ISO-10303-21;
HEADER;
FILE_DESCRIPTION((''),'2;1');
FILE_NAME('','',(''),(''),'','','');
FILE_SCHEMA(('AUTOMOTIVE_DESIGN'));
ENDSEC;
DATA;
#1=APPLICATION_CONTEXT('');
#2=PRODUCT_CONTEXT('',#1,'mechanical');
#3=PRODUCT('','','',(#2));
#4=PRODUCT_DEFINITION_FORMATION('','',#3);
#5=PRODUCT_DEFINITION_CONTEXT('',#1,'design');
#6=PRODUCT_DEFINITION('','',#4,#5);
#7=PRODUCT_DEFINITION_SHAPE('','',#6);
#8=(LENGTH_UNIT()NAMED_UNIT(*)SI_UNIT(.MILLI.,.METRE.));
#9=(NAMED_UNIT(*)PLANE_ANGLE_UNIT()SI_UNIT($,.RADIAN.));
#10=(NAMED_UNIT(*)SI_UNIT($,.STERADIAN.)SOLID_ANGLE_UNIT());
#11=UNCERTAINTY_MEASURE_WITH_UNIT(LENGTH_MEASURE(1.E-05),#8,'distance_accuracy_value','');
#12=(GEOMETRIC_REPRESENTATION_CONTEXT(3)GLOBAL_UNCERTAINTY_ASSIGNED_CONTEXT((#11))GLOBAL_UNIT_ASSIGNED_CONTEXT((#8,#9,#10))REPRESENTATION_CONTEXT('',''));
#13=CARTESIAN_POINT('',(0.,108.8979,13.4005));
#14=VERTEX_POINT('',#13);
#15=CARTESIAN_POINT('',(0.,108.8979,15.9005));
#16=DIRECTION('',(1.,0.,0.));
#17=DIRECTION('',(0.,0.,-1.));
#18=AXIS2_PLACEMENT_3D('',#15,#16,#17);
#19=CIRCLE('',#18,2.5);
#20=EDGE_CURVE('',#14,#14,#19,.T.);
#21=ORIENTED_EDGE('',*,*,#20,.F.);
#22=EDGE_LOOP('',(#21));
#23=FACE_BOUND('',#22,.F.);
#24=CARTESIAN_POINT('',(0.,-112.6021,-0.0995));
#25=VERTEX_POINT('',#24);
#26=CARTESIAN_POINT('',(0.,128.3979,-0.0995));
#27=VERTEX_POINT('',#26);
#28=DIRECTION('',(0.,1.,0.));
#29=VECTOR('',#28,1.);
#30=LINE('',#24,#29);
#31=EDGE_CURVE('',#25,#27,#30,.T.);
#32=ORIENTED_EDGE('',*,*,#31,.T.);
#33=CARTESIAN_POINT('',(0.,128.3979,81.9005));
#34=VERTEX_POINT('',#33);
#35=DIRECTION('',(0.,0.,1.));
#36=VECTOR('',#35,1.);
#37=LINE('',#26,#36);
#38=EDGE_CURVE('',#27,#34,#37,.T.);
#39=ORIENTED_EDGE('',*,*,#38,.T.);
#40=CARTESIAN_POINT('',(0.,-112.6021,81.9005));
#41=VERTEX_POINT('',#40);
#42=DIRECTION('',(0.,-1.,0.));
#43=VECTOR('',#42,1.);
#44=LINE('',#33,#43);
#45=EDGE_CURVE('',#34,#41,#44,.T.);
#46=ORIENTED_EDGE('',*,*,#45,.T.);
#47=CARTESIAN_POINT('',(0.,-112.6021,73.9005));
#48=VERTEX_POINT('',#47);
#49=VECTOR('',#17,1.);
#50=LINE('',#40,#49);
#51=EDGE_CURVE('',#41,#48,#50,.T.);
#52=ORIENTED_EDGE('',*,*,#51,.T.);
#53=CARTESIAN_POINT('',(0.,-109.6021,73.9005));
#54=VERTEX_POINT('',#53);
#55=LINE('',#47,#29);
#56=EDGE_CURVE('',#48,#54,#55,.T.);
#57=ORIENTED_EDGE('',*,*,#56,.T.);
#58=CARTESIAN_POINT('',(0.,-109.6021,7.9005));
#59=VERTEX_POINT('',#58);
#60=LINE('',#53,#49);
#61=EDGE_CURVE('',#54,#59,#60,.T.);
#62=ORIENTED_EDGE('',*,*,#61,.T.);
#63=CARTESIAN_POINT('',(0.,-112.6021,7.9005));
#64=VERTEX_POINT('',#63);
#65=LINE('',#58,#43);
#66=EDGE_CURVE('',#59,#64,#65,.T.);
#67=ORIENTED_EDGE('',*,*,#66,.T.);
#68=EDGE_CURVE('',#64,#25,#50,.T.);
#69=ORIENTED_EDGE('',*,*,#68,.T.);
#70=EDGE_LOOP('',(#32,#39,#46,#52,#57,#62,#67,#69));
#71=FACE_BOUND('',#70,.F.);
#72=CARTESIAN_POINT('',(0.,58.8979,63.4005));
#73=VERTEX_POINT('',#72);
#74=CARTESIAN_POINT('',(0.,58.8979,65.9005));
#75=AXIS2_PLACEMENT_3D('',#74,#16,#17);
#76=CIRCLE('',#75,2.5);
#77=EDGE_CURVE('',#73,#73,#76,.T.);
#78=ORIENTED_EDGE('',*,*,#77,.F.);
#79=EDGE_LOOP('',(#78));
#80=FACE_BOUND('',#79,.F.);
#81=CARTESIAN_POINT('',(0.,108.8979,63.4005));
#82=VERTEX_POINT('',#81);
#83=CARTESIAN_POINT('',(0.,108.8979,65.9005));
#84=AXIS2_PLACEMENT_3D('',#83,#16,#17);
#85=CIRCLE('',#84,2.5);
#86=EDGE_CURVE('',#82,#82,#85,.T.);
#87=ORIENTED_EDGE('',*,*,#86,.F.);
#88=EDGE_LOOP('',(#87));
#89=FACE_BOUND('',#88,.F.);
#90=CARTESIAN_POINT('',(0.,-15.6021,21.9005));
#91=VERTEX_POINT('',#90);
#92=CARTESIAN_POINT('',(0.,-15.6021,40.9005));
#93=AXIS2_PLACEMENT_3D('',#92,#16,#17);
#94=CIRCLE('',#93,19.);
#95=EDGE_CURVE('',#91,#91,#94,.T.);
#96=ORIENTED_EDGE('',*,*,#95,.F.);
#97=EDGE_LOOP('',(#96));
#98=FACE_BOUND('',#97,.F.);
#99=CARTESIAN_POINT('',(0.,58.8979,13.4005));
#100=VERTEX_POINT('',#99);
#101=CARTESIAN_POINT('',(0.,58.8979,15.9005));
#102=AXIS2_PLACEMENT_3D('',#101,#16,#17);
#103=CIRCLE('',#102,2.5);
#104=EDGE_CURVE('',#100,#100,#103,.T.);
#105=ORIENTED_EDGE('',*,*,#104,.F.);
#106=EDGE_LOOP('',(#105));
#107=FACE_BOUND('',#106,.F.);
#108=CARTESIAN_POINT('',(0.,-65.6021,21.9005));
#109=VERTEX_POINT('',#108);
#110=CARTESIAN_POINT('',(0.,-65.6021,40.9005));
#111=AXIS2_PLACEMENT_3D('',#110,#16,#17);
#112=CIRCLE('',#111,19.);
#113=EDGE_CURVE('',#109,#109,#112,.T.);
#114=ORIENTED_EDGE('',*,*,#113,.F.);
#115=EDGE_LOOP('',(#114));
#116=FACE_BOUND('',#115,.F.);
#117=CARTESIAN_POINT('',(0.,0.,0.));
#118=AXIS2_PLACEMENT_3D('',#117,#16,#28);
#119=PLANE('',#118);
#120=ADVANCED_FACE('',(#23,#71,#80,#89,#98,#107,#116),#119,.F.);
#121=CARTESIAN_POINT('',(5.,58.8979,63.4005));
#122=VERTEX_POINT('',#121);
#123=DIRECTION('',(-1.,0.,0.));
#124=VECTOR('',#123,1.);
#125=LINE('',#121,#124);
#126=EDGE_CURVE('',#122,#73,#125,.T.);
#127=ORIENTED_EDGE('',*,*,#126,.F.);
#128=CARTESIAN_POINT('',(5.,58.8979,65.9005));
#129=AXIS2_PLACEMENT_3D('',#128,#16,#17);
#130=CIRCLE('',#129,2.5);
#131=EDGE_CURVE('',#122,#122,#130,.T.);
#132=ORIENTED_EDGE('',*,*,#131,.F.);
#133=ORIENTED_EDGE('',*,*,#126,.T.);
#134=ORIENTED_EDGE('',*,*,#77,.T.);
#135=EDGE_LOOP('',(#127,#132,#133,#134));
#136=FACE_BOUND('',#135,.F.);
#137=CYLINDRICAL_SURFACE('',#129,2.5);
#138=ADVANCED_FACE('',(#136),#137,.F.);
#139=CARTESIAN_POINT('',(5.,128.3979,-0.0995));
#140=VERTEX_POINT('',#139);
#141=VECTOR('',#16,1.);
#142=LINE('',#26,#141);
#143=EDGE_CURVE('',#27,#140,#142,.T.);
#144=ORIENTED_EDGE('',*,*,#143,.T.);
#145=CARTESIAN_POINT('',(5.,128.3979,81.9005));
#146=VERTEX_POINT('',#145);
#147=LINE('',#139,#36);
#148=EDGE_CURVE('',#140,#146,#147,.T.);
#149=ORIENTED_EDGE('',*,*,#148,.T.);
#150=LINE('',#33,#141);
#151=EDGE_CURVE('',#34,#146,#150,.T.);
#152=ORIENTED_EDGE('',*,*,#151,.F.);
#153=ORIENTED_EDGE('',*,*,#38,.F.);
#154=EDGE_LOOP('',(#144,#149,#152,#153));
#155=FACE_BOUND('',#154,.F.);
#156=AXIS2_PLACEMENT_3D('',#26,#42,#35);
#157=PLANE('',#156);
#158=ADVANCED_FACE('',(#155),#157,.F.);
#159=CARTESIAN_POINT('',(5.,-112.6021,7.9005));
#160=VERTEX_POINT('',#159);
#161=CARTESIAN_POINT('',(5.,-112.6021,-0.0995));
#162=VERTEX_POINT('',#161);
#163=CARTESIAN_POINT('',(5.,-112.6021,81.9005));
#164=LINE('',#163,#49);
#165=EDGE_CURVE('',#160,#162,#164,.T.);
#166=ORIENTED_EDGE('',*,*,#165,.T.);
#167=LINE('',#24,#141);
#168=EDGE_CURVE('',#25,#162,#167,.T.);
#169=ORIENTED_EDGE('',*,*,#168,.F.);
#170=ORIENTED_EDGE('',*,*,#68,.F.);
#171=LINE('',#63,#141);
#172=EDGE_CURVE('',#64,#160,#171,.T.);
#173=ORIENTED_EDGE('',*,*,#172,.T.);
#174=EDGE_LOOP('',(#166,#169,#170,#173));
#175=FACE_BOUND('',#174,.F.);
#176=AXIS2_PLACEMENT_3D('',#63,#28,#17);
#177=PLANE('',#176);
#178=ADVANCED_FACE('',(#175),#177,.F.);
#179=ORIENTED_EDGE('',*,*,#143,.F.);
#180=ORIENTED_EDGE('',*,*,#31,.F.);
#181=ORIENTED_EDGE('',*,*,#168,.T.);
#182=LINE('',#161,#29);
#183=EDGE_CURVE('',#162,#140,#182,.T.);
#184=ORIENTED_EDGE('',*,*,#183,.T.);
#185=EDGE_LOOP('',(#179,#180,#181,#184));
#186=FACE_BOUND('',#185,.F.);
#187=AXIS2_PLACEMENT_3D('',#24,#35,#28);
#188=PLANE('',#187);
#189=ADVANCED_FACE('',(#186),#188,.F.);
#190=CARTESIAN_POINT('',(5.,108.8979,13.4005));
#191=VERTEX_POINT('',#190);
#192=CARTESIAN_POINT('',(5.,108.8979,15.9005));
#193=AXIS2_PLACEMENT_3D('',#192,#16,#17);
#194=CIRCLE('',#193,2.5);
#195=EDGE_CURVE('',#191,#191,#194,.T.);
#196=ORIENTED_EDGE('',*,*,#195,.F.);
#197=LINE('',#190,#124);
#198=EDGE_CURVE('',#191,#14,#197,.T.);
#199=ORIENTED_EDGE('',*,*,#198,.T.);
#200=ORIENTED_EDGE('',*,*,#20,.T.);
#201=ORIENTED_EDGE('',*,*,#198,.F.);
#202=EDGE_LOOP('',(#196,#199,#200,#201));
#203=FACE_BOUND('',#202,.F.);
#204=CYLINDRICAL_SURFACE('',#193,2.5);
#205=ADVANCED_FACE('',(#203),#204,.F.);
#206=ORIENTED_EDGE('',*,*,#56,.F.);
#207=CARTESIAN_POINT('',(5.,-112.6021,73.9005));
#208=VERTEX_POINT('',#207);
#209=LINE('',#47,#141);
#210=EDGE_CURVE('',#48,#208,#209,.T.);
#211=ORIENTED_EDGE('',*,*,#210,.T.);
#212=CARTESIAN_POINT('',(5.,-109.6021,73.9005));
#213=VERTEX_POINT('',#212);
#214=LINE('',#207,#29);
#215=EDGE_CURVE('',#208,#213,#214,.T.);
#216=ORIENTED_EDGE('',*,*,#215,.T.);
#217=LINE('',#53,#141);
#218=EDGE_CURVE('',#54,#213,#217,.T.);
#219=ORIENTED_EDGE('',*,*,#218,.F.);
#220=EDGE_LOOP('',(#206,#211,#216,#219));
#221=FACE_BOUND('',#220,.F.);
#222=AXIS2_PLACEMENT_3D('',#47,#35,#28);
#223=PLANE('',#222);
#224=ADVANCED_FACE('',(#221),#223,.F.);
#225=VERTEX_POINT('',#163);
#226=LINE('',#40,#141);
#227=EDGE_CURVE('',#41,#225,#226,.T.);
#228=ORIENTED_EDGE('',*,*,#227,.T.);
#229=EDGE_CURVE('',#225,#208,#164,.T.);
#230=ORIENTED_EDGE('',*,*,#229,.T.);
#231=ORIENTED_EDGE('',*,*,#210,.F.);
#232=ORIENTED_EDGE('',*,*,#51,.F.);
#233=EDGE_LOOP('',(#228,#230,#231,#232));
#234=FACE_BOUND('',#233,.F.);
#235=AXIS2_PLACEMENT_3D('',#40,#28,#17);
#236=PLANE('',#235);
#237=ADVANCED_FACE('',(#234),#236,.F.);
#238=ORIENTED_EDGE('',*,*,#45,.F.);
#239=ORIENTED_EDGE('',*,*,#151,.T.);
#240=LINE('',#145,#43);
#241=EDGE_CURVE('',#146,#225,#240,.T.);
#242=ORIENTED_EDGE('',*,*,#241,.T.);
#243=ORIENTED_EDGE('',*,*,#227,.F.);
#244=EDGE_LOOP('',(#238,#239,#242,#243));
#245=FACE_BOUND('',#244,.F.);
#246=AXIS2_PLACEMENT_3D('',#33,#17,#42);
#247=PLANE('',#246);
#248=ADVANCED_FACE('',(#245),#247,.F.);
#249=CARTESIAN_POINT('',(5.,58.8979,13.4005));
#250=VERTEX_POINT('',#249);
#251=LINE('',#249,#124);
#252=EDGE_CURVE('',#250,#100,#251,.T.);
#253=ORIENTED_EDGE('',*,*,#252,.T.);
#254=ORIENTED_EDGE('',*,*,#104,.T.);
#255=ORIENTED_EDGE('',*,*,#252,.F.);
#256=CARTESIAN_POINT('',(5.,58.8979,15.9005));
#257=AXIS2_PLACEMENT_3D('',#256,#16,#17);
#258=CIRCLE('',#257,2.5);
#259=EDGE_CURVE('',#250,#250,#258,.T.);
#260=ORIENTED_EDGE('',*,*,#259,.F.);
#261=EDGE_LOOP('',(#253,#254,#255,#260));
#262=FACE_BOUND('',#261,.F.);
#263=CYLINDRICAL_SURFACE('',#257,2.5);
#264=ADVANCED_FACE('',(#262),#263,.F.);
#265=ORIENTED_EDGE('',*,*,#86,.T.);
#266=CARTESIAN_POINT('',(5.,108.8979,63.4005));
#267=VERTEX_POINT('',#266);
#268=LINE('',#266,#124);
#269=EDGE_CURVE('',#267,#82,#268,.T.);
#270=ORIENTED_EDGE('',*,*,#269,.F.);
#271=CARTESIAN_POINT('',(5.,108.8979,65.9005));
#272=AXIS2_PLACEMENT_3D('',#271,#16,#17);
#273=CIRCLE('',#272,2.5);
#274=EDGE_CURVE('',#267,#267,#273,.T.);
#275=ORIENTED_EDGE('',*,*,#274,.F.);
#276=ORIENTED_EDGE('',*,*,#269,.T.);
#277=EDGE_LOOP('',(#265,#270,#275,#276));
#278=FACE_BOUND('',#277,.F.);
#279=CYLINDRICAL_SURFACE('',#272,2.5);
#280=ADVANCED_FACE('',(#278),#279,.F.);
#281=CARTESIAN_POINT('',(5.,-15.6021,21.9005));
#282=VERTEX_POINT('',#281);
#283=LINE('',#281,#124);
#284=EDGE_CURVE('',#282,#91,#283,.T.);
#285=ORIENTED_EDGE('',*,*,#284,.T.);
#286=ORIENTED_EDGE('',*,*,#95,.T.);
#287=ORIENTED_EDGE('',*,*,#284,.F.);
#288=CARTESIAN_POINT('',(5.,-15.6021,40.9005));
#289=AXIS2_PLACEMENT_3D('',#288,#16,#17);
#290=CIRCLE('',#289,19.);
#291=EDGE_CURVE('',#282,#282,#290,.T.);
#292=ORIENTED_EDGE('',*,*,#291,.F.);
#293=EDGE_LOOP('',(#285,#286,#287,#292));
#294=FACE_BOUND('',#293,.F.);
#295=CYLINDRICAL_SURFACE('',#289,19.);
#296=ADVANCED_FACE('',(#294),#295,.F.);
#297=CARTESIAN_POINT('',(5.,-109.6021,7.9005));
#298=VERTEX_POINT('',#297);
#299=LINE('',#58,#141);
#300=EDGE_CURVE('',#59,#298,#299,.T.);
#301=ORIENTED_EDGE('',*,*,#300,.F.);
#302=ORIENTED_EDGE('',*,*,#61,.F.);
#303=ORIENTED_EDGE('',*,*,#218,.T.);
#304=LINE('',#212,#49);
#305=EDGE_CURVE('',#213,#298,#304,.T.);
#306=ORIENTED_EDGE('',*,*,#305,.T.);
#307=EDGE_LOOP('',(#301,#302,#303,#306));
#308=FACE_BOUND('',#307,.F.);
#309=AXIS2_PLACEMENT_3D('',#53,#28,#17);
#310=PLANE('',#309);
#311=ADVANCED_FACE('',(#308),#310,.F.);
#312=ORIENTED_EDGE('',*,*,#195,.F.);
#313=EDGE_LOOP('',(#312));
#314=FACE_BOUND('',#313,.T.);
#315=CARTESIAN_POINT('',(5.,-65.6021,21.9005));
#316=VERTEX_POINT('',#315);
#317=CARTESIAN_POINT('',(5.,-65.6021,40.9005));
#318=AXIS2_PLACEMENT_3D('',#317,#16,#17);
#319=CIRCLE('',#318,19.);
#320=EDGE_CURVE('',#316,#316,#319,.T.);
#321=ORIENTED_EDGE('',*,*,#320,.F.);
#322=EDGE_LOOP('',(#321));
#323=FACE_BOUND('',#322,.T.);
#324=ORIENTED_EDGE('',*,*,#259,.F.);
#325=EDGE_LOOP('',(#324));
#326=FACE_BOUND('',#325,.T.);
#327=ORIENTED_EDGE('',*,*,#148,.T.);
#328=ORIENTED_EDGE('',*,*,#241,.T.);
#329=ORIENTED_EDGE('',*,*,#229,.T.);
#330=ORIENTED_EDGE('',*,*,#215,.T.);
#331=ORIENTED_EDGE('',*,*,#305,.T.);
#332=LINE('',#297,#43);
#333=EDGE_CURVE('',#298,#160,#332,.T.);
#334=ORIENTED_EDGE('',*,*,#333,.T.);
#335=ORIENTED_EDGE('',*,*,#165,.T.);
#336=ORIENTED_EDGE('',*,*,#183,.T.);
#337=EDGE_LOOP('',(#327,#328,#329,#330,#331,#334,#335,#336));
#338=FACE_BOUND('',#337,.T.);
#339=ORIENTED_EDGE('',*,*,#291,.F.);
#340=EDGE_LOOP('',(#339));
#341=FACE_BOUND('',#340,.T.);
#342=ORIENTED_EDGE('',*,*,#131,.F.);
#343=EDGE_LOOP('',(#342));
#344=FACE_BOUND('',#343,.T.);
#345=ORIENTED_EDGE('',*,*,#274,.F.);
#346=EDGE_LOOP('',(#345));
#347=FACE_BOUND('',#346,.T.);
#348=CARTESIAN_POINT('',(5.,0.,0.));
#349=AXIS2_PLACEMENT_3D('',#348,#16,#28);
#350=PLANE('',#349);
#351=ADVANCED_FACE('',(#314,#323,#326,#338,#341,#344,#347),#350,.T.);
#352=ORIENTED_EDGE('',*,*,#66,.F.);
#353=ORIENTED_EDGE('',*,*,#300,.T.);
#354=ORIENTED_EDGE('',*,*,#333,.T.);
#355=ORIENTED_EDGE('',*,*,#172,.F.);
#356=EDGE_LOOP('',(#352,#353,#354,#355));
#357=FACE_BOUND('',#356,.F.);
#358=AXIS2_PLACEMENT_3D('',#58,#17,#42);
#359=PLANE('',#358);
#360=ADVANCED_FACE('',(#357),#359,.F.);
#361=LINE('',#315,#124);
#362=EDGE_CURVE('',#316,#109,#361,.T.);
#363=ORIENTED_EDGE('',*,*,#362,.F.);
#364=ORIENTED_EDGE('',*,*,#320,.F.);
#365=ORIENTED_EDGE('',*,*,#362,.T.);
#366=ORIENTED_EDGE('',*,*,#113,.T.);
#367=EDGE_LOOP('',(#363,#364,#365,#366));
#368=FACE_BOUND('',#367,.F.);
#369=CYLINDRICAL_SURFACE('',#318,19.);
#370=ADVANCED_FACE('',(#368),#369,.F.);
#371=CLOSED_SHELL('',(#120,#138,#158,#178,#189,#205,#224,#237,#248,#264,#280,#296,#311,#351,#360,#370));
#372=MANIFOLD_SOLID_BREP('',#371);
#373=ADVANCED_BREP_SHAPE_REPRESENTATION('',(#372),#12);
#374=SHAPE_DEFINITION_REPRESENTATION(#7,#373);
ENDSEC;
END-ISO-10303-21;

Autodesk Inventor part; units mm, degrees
ref_plane "YZ Plane" through (0, 0, 0) normal (1, 0, 0) x (0, 1, 0)
ref_plane "XZ Plane" through (0, 0, 0) normal (0, 1, 0) x (-1, 0, 0)
ref_plane "XY Plane" through (0, 0, 0) normal (0, 0, 1) x (1, 0, 0)
sketch "Sketch1" plane through (0, 0, 0) normal (1, 0, 0) x (0, 1, 0)
  line L0 (128.3979, 81.9005) -> (-112.6021, 81.9005)
  line L1 (-112.6021, 81.9005) -> (-112.6021, -0.0995)
  line L2 (-112.6021, -0.0995) -> (128.3979, -0.0995)
  line L3 (128.3979, -0.0995) -> (128.3979, 81.9005)
  circle A0 centre (-45.6021, 40.9005) radius 19 construction
  line L4 (-112.6021, 73.9005) -> (-109.6021, 73.9005)
  line L5 (-109.6021, 73.9005) -> (-109.6021, 7.9005)
  line L6 (-109.6021, 7.9005) -> (-112.6021, 7.9005)
  line L7 (-112.6021, 7.9005) -> (-112.6021, 73.9005)
  circle A1 centre (111.4349, 69.7734) radius 2.5
  point P0 (0, 0)
  dimension "d0" = 241
  dimension "d1" = 82
  dimension "d2" = 38
  dimension "d3" = 41
  dimension "d4" = 174
  dimension "d5" = 66
  dimension "d6" = 3
  dimension "d7" = 8
  dimension "d24" = 5
extrude "Extrusion3" add sketch "Sketch1" along normal blind 5 contours L3 L2 L1 L6 L5 L4 L0 | A1
sketch "Sketch3" plane through (5, 0, 0) normal (1, 0, 0) x (0, 0, -1)
  circle A0 centre (-65.9005, 108.8979) radius 2.5
  line L0 (-81.9005, 128.3979) -> (-81.9005, -112.6021) projected
  line L1 (-81.9005, 128.3979) -> (-74.525, 128.3979) construction
  line L2 (-81.9005, 122.7969) -> (-81.9005, 128.3979) construction
  circle A1 centre (-15.9005, 108.8979) radius 2.5
  circle A2 centre (-65.9005, 58.8979) radius 2.5
  circle A3 centre (-15.9005, 58.8979) radius 2.5
  line L3 (0.0995, -112.6021) -> (0.0995, 128.3979) projected
  line L4 (0.0995, 128.3979) -> (-81.9005, 128.3979) projected
  point P0 (0, 0)
  dimension "d25" = 5
  dimension "d28" = 50
  dimension "d31" = 50
  dimension "d34" = 82
  dimension "d35" = 16
  dimension "d36" = 19.5
extrude "Extrusion4" cut sketch "Sketch3" against normal up to surface (5 mm away)
sketch "Sketch4" plane through (5, 0, 0) normal (1, 0, 0) x (0, 0, -1)
  circle A0 centre (-40.9005, -65.6021) radius 19
  line L0 (-73.9005, -109.6021) -> (-7.9005, -109.6021) projected
  point P0 (0, 0)
  point P1 (-40.9005, -109.6021)
  dimension "d39" = 38
  dimension "d40" = 44
extrude "Extrusion5" cut sketch "Sketch4" against normal up to surface (5 mm away)
pattern_linear "Rectangular Pattern1" count 2 spacing 50 along (0, 1, 0) of "Extrusion5"
equation "\"d3\" = 0.5 * d1"
equation "\"d7\" = -0.5 * d5 + 0.5 * d1"
equation "\"d35\" = -0.5 * d28 + 0.5 * d34"
properties part number "center_2Poke"
